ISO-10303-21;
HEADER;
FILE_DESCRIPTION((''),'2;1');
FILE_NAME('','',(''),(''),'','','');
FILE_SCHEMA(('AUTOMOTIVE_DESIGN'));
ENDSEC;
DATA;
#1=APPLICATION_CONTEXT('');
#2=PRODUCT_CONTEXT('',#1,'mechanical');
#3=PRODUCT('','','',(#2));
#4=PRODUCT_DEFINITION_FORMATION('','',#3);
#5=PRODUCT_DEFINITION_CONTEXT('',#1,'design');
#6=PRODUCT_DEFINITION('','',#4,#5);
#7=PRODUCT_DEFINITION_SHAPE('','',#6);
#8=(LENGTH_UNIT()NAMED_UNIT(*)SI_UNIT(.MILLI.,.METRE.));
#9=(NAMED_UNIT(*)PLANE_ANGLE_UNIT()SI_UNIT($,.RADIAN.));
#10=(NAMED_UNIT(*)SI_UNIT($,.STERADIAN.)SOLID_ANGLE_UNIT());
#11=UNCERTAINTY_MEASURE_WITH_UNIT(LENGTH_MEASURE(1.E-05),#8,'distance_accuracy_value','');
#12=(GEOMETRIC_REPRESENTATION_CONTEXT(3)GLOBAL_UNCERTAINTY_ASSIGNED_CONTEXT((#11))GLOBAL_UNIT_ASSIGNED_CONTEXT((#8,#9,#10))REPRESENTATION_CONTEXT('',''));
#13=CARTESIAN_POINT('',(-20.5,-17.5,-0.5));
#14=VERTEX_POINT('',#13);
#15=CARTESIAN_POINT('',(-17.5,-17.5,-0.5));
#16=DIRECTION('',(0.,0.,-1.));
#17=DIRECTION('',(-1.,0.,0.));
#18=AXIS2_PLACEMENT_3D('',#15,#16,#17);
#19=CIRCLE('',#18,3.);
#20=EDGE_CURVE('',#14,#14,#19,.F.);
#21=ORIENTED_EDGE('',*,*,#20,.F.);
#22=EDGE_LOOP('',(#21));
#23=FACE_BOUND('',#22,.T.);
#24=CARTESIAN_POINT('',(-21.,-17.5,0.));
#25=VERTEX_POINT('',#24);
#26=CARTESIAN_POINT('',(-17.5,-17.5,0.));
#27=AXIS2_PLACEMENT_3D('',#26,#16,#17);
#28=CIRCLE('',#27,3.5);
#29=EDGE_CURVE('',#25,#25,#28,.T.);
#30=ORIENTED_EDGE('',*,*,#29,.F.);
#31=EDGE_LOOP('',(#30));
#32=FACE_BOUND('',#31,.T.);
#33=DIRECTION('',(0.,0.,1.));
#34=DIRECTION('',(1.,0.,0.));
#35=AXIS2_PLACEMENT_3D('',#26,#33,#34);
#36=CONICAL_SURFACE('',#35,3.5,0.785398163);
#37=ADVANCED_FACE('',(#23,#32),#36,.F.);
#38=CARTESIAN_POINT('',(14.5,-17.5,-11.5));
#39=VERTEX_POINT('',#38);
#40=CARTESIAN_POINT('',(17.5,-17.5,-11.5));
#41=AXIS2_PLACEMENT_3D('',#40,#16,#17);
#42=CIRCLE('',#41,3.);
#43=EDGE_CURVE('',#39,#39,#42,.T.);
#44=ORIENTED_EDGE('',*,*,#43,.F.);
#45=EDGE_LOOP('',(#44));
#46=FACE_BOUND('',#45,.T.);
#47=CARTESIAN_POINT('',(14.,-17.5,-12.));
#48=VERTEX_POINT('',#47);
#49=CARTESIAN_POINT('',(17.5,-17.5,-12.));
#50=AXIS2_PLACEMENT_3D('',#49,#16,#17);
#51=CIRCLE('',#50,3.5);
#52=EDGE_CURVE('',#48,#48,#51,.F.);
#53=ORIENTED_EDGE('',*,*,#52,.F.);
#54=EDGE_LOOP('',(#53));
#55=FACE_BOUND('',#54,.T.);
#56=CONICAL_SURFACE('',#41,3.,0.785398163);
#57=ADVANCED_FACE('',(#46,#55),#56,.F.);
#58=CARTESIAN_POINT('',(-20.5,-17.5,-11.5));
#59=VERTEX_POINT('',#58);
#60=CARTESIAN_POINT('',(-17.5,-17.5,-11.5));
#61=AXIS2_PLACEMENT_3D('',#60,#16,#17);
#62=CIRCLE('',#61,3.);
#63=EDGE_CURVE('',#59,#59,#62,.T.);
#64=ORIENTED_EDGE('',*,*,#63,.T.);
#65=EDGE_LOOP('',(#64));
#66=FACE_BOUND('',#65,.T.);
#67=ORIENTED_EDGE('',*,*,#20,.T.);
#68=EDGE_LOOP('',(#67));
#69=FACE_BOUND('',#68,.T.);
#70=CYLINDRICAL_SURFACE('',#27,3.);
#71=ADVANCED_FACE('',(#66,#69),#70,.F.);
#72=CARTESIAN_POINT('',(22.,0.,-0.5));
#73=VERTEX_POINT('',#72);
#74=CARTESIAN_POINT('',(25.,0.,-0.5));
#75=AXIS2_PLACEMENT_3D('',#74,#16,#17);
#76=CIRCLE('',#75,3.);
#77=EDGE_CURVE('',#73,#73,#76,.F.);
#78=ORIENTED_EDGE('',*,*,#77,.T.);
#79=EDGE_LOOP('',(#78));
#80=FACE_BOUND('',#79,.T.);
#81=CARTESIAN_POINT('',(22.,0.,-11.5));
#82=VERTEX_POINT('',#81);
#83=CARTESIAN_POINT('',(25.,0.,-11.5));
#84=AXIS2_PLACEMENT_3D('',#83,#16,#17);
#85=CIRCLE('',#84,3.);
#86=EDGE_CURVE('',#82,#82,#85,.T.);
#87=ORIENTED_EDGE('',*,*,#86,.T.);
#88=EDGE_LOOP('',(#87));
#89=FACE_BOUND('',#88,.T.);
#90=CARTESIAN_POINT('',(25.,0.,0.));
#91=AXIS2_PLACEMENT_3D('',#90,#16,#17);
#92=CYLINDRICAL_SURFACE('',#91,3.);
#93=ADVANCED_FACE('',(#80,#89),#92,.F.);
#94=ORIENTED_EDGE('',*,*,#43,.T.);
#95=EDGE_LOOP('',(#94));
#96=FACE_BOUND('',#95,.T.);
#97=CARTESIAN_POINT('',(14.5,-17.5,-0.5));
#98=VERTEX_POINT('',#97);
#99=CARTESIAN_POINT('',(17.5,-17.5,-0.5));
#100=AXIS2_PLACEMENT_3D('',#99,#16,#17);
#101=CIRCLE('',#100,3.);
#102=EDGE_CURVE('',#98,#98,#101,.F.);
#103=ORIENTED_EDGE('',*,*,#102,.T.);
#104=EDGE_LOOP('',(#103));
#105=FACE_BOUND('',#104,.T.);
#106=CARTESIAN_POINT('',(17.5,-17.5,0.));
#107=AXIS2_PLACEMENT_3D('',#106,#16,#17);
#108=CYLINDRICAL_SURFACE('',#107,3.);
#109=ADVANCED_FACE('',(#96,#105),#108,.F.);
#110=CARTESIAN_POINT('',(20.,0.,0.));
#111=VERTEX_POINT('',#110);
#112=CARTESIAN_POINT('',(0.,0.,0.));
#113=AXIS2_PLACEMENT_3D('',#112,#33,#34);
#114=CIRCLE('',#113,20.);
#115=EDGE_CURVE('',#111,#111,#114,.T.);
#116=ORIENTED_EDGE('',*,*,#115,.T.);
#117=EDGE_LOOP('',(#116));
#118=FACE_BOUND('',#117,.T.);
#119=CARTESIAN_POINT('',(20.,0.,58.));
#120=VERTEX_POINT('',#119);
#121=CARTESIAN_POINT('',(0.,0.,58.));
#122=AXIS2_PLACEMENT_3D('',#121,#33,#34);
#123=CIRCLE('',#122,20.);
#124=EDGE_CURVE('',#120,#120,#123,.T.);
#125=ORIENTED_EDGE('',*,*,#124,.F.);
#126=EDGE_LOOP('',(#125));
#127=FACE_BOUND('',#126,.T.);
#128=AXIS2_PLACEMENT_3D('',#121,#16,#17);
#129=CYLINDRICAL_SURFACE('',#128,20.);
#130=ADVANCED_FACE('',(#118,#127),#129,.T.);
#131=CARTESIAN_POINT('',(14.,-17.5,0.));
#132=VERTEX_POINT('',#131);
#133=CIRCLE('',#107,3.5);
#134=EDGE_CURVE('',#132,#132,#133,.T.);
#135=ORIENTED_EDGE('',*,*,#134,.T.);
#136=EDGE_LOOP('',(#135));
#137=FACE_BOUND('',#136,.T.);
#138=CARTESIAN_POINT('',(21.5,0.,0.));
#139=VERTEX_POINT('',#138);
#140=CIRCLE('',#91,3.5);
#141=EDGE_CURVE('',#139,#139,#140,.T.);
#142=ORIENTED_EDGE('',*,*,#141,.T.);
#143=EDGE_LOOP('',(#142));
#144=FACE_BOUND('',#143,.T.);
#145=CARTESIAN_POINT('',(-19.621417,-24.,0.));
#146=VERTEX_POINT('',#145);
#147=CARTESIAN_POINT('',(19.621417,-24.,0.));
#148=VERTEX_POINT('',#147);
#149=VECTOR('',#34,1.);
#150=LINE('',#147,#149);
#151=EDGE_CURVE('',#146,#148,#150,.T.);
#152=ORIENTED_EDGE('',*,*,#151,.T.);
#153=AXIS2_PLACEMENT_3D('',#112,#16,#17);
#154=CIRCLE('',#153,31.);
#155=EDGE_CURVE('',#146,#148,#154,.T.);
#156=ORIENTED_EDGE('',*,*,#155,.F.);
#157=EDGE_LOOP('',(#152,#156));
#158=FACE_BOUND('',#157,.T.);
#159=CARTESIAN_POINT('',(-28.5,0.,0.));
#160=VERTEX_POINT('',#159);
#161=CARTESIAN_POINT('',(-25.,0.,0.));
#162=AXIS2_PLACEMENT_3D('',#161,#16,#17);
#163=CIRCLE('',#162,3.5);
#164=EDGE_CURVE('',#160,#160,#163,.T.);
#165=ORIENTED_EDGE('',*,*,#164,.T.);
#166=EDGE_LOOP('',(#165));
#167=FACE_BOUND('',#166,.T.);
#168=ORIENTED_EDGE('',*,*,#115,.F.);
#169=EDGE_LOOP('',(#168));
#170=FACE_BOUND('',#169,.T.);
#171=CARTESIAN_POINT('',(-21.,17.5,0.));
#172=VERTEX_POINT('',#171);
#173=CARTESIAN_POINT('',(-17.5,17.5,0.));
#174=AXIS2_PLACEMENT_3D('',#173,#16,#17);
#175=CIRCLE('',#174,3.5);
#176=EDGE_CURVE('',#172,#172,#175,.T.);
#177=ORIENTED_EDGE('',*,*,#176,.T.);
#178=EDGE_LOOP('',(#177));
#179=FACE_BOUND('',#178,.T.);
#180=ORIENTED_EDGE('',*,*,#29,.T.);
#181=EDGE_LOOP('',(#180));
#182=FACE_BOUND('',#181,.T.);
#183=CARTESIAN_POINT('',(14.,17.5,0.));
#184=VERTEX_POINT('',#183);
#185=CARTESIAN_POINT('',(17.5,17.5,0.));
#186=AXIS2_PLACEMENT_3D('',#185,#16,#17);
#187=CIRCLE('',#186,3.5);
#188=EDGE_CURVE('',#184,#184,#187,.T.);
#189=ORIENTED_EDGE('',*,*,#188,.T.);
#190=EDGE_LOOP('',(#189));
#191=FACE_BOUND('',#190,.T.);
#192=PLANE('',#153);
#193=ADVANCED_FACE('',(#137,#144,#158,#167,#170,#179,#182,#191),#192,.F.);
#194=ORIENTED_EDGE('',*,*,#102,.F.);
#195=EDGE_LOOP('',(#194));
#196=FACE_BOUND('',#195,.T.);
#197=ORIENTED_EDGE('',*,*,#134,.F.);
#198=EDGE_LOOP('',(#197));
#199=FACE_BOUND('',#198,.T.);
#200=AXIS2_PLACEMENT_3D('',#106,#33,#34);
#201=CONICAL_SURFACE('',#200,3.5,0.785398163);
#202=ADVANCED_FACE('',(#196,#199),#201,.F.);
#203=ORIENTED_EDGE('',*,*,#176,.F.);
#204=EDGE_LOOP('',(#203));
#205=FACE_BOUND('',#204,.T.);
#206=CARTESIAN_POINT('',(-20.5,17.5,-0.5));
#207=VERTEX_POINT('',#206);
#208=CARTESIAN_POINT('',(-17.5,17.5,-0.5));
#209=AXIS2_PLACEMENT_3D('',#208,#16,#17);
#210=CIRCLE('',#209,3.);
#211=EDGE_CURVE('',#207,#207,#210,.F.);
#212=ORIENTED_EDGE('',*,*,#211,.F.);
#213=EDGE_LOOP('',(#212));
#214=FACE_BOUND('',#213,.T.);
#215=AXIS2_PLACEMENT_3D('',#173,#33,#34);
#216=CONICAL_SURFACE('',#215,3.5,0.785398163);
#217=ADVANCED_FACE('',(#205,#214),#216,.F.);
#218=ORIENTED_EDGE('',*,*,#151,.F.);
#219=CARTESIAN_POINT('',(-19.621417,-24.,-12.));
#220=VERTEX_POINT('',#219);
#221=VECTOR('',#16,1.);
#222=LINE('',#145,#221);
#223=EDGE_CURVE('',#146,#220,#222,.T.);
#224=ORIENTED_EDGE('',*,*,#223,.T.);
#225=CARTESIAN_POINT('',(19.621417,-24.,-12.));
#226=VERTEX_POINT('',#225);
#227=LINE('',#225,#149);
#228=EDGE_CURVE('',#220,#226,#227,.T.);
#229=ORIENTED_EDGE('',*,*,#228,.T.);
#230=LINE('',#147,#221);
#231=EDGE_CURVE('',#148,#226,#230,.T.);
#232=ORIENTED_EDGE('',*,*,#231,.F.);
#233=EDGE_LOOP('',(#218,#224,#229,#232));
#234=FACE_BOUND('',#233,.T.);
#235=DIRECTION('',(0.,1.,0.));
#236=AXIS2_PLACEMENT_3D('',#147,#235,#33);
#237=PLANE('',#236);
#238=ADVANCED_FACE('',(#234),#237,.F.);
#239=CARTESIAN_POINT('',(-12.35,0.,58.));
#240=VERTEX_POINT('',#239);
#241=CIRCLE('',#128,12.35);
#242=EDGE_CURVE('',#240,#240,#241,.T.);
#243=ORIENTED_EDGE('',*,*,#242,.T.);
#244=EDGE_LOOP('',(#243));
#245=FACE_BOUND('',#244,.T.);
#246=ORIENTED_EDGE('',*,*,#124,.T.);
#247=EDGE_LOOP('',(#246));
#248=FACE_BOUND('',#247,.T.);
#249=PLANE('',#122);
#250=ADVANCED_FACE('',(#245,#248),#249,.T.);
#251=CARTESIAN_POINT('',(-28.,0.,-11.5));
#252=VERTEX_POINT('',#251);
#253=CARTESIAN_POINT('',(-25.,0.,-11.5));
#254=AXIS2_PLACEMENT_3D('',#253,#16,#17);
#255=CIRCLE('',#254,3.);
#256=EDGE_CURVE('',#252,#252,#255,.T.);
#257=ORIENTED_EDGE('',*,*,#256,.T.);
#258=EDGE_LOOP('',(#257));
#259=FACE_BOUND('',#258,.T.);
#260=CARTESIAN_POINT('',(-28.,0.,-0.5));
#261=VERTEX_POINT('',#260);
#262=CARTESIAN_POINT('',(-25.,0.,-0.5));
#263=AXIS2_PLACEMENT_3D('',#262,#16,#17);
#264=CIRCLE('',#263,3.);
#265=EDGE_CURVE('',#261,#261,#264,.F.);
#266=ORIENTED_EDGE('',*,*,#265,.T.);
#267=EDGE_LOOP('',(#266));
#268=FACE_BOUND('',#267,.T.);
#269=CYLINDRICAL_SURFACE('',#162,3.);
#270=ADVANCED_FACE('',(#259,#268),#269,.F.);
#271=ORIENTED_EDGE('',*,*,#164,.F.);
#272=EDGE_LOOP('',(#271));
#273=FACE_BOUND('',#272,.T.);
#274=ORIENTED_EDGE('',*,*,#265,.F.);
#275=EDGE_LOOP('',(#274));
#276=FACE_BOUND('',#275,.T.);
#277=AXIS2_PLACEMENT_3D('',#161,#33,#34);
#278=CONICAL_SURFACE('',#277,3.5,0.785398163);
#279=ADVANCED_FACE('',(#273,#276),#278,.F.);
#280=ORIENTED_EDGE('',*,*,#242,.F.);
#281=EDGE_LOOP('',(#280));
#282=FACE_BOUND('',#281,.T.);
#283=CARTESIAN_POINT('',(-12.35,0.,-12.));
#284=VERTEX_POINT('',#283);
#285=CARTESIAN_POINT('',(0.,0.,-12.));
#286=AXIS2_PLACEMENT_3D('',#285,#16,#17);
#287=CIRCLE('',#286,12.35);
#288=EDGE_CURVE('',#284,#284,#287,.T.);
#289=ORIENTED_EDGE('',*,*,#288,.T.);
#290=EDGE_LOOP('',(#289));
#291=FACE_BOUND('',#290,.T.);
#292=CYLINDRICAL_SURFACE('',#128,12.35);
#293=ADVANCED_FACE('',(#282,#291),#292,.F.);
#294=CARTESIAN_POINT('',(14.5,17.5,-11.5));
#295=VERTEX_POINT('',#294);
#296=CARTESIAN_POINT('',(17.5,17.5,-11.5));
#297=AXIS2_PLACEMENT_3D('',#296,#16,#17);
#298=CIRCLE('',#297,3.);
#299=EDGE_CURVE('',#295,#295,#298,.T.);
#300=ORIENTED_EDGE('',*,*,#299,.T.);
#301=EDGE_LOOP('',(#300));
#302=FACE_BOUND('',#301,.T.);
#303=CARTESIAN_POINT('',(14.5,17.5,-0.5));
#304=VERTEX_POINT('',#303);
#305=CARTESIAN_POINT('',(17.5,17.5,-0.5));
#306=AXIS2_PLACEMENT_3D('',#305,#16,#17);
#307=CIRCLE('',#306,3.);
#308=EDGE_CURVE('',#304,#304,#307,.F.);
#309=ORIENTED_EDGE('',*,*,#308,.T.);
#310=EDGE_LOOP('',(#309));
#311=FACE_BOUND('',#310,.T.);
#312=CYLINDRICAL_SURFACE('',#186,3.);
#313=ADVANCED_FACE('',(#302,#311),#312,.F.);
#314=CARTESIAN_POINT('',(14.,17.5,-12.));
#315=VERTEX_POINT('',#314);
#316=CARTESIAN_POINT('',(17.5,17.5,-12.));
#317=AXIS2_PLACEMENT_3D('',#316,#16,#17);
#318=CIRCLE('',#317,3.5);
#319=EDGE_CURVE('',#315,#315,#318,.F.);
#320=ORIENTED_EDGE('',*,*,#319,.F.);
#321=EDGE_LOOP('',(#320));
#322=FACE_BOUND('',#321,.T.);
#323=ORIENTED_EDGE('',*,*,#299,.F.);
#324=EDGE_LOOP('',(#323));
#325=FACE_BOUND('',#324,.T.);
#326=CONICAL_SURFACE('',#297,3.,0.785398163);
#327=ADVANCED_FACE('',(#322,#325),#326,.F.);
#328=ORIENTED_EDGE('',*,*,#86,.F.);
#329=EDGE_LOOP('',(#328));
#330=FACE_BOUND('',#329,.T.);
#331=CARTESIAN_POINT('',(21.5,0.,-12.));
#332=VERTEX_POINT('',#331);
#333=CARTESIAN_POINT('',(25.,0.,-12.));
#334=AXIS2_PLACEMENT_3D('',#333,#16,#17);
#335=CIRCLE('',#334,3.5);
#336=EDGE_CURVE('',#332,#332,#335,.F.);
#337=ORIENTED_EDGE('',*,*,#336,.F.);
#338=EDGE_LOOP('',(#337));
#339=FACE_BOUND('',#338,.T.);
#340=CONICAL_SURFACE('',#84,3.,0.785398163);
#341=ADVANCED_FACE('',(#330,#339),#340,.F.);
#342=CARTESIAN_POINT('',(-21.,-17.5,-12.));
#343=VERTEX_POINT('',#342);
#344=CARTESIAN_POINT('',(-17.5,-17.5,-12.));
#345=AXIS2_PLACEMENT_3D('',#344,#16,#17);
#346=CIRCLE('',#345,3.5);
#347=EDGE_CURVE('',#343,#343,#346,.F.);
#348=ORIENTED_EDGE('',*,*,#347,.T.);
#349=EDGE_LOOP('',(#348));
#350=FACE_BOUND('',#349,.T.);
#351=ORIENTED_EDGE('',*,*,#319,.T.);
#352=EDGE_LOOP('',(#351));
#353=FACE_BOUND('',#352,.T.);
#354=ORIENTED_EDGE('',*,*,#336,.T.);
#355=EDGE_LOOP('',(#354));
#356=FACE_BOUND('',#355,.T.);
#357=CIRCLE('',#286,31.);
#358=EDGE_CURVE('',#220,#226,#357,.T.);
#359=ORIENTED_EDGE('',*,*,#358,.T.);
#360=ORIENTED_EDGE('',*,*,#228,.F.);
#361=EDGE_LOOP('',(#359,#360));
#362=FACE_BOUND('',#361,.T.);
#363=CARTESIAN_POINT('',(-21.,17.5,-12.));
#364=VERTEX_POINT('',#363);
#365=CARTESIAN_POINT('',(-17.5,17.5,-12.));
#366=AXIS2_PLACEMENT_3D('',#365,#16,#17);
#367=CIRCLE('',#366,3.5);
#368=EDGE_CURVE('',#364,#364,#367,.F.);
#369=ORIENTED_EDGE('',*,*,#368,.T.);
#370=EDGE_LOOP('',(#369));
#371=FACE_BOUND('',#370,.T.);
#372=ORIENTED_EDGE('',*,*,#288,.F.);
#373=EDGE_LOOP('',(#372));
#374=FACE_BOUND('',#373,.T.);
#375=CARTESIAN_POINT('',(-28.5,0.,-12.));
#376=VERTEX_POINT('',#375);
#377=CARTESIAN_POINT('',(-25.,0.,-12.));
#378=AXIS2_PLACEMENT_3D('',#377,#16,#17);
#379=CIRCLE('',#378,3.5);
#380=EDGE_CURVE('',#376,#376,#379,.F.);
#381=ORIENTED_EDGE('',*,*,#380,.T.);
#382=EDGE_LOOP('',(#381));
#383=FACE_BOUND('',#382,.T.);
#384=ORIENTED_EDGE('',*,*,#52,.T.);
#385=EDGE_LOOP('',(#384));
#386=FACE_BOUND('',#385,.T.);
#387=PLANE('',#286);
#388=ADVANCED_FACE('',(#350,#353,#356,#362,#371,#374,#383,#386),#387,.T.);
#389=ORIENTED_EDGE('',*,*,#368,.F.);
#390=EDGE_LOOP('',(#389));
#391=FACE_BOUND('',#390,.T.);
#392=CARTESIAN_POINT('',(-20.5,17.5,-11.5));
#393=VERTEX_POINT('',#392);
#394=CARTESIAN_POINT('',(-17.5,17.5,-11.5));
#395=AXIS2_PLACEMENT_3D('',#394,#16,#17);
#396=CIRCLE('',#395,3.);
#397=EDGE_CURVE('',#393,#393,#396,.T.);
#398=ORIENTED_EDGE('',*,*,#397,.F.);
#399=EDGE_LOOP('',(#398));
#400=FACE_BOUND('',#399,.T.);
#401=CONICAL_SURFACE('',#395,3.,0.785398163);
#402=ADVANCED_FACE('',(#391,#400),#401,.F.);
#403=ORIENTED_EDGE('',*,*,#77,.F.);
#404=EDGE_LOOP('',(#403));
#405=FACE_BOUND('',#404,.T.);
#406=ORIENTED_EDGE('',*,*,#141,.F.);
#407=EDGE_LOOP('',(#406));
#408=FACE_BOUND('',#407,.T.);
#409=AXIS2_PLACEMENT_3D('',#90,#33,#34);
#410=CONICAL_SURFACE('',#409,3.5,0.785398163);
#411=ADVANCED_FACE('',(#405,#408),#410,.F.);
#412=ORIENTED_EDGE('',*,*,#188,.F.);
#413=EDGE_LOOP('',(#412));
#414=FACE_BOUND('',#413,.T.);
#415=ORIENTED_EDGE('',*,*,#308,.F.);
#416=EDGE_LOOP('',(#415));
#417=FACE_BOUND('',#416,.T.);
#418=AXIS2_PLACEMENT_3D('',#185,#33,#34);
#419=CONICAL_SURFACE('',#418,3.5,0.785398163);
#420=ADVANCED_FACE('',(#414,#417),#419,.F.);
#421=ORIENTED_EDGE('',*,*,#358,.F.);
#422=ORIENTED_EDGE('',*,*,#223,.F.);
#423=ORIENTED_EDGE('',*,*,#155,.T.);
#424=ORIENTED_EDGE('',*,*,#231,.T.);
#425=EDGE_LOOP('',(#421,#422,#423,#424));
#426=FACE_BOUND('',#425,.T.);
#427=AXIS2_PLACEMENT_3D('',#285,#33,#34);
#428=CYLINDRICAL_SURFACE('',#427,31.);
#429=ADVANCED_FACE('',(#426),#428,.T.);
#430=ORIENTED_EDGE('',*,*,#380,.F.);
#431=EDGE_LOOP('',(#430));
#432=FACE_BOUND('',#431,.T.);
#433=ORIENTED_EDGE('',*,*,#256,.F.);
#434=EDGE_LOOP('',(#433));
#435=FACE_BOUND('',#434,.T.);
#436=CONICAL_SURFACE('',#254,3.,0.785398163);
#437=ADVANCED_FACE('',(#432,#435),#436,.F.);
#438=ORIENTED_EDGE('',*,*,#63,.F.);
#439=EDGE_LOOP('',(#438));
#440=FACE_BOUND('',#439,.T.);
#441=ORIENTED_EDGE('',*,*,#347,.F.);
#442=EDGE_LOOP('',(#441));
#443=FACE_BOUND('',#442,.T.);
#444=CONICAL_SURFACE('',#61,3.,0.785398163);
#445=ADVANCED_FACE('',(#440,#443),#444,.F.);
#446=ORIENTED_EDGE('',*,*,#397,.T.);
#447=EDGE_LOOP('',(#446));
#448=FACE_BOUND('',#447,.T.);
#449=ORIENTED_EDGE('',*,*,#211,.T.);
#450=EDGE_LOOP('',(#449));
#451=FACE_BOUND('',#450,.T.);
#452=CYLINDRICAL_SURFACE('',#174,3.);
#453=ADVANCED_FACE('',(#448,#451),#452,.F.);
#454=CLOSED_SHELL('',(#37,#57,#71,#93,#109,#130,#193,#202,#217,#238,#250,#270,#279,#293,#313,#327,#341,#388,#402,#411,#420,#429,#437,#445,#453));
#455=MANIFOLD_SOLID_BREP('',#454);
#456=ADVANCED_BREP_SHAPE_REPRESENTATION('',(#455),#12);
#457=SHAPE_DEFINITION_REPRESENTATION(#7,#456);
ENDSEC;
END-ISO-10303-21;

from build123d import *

# Parameters (mm, degrees)
SZKIC1_R                    = 20
DODANIE_WYCI_GNI_CIE1_DEPTH = 58
SZKIC3_R                    = 31
DODANIE_WYCI_GNI_CIE2_DEPTH = 12
SZKIC4_W                    = 39.24283374
SZKIC4_H                    = 7
WYTNIJ_WYCI_GNI_CIE1_DEPTH  = 12
SZKIC5_R                    = 12.35
WYTNIJ_WYCI_GNI_CIE2_DEPTH  = 70
SZKIC6_R                    = 3
WYTNIJ_WYCI_GNI_CIE3_DEPTH  = 12
SFAZOWANIE1_SIZE            = 0.5


with BuildPart() as part:
    # Szkic1 → Dodanie-wyciągnięcie1 (new body)
    with BuildSketch(Plane.XY):
        Circle(SZKIC1_R)
    extrude(amount=DODANIE_WYCI_GNI_CIE1_DEPTH)

    # Szkic3 → Dodanie-wyciągnięcie2 (add)
    with BuildSketch(Plane(origin=(0, 0, 0), x_dir=(-1, 0, 0), z_dir=(0, 0, -1))):
        Circle(SZKIC3_R)
    extrude(amount=DODANIE_WYCI_GNI_CIE2_DEPTH)

    # Szkic4 → Wytnij-wyciągnięcie1 (cut)
    with BuildSketch(Plane(origin=(0, 0, -12), x_dir=(-1, 0, 0), z_dir=(0, 0, -1))):
        with Locations((0, -27.5)):
            Rectangle(SZKIC4_W, SZKIC4_H)
    extrude(amount=-WYTNIJ_WYCI_GNI_CIE1_DEPTH, mode=Mode.SUBTRACT)

    # Szkic5 → Wytnij-wyciągnięcie2 (cut)
    with BuildSketch(Plane(origin=(0, 0, -12), x_dir=(-1, 0, 0), z_dir=(0, 0, -1))):
        Circle(SZKIC5_R)
    extrude(amount=-WYTNIJ_WYCI_GNI_CIE2_DEPTH, mode=Mode.SUBTRACT)

    # Szkic6 → Wytnij-wyciągnięcie3 (cut)
    with BuildSketch(Plane(origin=(0, 0, -12), x_dir=(-1, 0, 0), z_dir=(0, 0, -1))):
        with Locations((-17.5, 17.5)):
            Circle(SZKIC6_R)
        with Locations((-25, 0)):
            Circle(SZKIC6_R)
        with Locations((-17.5, -17.5)):
            Circle(SZKIC6_R)
        with Locations((17.5, -17.5)):
            Circle(SZKIC6_R)
        with Locations((25, 0)):
            Circle(SZKIC6_R)
        with Locations((17.5, 17.5)):
            Circle(SZKIC6_R)
    extrude(amount=-WYTNIJ_WYCI_GNI_CIE3_DEPTH, mode=Mode.SUBTRACT)

    # Sfazowanie1
    sfazowanie1_edges = [part.edges().sort_by_distance(p)[0] for p in [
        (-14.5, 17.5, 0),
        (-14.5, 17.5, -12),
        (-22, 0, 0),
        (-22, 0, -12),
        (-14.5, -17.5, 0),
        (-14.5, -17.5, -12),
        (28, 0, 0),
        (28, 0, -12),
        (20.5, -17.5, 0),
        (20.5, -17.5, -12),
        (20.5, 17.5, 0),
        (20.5, 17.5, -12),
    ]]
    chamfer(sfazowanie1_edges, length=SFAZOWANIE1_SIZE)


solid = part.part
